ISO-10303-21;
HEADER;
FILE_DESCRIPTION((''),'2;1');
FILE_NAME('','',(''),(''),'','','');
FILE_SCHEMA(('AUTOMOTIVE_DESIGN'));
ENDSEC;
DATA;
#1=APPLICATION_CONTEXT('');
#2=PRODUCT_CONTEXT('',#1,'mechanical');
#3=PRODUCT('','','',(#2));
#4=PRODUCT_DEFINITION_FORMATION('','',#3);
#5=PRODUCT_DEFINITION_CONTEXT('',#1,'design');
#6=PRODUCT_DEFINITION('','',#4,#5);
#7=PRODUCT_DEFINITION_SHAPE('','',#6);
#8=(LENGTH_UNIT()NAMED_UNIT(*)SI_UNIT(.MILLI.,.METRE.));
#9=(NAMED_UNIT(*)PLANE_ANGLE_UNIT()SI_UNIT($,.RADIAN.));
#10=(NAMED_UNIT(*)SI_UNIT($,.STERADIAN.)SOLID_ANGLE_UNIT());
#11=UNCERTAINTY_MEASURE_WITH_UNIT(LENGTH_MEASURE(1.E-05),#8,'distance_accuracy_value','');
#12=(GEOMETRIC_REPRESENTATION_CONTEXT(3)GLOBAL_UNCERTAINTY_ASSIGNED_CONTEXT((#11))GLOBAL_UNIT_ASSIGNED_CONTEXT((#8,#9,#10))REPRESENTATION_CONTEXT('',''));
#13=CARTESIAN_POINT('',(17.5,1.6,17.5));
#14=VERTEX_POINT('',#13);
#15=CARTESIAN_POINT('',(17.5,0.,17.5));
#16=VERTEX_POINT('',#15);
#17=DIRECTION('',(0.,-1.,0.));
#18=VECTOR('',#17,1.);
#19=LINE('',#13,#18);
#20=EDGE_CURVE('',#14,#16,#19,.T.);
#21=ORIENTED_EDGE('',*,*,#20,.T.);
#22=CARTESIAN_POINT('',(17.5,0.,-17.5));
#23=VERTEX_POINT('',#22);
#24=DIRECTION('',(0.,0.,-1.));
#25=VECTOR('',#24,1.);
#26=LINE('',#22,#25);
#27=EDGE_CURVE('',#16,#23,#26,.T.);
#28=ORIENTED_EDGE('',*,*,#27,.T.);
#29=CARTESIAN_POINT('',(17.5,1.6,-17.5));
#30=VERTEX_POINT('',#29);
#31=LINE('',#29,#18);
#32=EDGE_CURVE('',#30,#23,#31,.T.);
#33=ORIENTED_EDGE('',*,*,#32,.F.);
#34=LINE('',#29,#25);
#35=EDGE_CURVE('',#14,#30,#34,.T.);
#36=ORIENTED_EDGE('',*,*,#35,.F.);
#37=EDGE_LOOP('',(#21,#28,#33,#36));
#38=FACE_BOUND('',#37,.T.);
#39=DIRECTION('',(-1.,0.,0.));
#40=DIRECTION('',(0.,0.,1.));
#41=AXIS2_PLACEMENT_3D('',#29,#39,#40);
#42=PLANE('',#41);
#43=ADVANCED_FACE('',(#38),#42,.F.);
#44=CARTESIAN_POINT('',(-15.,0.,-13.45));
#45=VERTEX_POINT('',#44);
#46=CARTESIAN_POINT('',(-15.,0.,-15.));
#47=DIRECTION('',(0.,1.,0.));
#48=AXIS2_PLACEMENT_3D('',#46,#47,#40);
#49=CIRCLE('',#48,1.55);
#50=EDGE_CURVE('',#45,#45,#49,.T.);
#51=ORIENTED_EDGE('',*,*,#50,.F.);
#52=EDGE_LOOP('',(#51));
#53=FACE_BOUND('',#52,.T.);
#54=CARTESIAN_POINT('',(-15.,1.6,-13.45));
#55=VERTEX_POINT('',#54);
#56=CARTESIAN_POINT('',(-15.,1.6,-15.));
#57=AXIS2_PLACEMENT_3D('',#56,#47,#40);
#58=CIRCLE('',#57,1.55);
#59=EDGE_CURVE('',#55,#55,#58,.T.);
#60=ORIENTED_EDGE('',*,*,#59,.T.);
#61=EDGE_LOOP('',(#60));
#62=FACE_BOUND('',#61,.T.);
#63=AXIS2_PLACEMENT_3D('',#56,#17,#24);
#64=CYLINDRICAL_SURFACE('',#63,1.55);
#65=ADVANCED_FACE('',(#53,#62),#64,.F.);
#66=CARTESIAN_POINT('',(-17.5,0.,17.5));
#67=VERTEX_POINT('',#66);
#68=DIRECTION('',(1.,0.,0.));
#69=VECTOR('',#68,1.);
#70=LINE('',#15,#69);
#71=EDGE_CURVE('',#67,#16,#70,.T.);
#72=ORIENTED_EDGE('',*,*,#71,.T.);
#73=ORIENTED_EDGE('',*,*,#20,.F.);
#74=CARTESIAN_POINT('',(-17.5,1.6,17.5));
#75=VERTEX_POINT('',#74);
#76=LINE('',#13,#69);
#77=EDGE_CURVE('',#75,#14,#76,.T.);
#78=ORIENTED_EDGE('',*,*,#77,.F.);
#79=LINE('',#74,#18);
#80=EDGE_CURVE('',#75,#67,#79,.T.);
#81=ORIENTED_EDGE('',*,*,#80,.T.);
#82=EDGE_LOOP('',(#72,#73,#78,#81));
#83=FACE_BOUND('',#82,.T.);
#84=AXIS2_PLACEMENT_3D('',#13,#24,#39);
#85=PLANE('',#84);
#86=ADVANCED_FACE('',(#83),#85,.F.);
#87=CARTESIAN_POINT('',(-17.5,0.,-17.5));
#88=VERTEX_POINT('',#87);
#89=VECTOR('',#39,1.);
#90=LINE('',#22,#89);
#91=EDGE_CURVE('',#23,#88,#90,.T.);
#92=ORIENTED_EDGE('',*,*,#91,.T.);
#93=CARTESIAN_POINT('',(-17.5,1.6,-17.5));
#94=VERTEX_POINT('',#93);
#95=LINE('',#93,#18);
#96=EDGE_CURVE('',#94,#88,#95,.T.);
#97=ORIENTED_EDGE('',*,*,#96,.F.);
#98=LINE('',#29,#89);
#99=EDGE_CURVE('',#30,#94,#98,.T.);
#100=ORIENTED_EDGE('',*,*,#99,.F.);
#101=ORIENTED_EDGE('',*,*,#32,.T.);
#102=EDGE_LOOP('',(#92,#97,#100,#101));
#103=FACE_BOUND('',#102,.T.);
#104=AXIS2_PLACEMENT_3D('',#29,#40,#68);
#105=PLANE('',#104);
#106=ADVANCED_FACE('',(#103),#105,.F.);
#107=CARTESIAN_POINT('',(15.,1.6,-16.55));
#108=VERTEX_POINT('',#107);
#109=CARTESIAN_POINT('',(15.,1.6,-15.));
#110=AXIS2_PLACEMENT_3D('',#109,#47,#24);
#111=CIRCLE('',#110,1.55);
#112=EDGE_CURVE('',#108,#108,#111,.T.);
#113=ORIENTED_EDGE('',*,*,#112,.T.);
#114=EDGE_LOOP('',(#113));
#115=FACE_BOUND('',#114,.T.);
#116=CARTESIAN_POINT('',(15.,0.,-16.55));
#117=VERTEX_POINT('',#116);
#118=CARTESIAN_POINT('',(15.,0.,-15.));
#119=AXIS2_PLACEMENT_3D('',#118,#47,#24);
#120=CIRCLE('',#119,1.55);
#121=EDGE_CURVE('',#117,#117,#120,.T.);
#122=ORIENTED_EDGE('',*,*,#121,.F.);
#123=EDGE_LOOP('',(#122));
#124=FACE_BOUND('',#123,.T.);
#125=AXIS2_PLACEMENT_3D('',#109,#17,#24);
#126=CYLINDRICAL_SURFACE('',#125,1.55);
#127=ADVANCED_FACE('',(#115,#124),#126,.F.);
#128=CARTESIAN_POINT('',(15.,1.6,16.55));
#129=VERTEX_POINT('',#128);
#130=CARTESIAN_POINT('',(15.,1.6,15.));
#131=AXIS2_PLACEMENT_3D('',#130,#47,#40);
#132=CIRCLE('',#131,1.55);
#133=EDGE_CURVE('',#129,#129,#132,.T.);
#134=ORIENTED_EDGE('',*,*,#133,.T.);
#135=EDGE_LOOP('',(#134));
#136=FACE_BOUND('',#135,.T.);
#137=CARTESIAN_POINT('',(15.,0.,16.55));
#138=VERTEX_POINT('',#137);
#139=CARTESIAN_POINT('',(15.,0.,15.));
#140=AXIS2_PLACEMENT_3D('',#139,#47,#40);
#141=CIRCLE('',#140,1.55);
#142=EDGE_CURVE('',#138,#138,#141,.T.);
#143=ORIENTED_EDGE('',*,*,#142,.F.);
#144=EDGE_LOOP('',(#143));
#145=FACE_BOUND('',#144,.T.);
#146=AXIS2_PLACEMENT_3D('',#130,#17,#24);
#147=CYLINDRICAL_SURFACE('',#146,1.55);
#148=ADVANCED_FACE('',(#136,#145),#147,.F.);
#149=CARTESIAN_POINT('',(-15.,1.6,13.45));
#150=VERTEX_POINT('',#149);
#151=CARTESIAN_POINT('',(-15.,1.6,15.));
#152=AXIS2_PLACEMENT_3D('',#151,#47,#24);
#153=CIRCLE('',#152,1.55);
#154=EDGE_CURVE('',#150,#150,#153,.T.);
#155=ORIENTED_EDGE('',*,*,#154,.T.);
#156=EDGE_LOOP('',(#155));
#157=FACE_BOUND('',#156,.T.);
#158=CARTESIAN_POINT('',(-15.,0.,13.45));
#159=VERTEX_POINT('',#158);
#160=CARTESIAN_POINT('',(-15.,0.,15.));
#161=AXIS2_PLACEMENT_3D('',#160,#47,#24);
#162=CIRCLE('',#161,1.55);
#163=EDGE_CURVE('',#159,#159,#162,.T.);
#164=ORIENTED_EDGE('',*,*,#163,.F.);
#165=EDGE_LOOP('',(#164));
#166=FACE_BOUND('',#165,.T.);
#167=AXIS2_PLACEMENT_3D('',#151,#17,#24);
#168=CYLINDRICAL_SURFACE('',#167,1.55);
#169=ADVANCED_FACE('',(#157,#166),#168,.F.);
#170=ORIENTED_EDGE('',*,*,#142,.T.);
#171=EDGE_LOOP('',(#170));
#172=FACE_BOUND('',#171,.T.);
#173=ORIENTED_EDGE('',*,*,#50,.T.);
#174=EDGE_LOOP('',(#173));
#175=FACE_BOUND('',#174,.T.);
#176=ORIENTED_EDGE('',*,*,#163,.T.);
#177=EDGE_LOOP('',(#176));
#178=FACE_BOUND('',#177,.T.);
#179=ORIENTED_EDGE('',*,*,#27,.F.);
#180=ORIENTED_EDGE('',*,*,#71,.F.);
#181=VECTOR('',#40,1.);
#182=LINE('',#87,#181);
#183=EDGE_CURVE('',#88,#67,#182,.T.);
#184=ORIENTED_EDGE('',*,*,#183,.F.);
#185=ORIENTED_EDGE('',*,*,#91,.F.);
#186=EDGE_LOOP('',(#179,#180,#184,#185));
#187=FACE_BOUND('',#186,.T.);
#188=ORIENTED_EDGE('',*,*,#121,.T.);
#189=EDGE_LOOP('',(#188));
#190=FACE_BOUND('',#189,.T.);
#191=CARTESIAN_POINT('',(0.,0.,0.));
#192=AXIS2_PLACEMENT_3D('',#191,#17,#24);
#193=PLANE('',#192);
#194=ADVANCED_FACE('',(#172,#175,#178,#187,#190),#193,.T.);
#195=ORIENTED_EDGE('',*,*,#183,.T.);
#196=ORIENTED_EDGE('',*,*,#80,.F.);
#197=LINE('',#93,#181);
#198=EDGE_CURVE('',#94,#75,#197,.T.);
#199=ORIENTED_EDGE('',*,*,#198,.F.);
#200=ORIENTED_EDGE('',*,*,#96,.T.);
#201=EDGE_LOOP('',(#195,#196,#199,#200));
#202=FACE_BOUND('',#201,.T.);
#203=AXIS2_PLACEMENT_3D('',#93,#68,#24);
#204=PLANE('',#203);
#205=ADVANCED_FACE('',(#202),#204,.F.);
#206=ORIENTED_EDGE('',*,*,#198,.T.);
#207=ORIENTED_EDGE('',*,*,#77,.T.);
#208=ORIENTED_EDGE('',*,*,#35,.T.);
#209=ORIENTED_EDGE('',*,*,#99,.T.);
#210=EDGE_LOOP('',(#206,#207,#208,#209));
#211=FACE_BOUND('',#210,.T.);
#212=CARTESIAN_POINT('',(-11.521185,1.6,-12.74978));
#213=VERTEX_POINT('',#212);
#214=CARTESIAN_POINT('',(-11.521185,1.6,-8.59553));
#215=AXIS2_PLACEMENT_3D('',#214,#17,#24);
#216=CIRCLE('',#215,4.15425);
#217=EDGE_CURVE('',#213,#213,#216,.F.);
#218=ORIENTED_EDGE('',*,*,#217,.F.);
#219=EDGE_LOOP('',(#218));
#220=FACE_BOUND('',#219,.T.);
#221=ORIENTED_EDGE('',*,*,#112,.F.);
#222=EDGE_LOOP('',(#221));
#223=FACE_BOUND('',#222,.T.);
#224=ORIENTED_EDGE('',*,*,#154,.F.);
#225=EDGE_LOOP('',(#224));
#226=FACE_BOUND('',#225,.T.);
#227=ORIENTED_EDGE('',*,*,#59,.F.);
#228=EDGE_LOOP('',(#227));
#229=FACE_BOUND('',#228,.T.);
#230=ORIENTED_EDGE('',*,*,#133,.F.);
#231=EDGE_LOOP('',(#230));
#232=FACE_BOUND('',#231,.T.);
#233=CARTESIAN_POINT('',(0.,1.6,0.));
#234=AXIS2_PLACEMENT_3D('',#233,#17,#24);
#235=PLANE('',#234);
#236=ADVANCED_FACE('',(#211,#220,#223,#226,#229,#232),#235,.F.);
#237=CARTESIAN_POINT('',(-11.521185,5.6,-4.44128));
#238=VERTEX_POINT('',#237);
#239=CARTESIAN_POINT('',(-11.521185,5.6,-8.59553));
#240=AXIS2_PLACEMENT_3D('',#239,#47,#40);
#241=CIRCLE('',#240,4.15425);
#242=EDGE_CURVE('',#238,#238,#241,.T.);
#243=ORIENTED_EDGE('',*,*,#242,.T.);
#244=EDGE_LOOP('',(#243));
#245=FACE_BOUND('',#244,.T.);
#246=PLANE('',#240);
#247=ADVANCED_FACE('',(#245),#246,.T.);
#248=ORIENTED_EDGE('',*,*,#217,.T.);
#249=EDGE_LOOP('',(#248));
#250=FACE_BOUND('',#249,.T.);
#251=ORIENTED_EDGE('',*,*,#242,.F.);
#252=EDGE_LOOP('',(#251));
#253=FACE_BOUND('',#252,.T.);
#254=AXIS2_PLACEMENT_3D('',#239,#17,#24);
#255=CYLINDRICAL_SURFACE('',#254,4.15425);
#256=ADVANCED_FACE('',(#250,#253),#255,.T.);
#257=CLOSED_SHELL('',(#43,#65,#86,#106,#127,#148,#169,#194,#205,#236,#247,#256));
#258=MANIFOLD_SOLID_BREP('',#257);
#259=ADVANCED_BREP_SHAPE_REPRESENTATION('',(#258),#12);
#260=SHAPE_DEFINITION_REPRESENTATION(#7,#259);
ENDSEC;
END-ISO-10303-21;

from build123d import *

# Parameters (mm, degrees)
SKETCH1_W           = 35
SKETCH1_H           = 35
SKETCH1_R           = 1.55
BOSS_EXTRUDE1_DEPTH = 1.6
SKETCH2_R           = 4.154250073
BOSS_EXTRUDE2_DEPTH = 4


with BuildPart() as part:
    # Sketch1 → Boss-Extrude1 (new body)
    with BuildSketch(Plane(origin=(0, 0, 0), x_dir=(1, 0, 0), z_dir=(0, 1, 0))):
        Rectangle(SKETCH1_W, SKETCH1_H)
        with Locations(Location((-15, 15, 0), (0, 0, 270))):
            Circle(SKETCH1_R, mode=Mode.SUBTRACT)
        with Locations(Location((15, 15, 0), (0, 0, 90))):
            Circle(SKETCH1_R, mode=Mode.SUBTRACT)
        with Locations(Location((15, -15, 0), (0, 0, 270))):
            Circle(SKETCH1_R, mode=Mode.SUBTRACT)
        with Locations(Location((-15, -15, 0), (0, 0, 90))):
            Circle(SKETCH1_R, mode=Mode.SUBTRACT)
    extrude(amount=BOSS_EXTRUDE1_DEPTH)

    # Sketch2 → Boss-Extrude2 (add)
    with BuildSketch(Plane(origin=(0, 1.6, 0), x_dir=(1, 0, 0), z_dir=(0, 1, 0))):
        with Locations(Location((-11.521184777, 8.595529588, 0), (0, 0, 90))):
            Circle(SKETCH2_R)
    extrude(amount=BOSS_EXTRUDE2_DEPTH)


solid = part.part
